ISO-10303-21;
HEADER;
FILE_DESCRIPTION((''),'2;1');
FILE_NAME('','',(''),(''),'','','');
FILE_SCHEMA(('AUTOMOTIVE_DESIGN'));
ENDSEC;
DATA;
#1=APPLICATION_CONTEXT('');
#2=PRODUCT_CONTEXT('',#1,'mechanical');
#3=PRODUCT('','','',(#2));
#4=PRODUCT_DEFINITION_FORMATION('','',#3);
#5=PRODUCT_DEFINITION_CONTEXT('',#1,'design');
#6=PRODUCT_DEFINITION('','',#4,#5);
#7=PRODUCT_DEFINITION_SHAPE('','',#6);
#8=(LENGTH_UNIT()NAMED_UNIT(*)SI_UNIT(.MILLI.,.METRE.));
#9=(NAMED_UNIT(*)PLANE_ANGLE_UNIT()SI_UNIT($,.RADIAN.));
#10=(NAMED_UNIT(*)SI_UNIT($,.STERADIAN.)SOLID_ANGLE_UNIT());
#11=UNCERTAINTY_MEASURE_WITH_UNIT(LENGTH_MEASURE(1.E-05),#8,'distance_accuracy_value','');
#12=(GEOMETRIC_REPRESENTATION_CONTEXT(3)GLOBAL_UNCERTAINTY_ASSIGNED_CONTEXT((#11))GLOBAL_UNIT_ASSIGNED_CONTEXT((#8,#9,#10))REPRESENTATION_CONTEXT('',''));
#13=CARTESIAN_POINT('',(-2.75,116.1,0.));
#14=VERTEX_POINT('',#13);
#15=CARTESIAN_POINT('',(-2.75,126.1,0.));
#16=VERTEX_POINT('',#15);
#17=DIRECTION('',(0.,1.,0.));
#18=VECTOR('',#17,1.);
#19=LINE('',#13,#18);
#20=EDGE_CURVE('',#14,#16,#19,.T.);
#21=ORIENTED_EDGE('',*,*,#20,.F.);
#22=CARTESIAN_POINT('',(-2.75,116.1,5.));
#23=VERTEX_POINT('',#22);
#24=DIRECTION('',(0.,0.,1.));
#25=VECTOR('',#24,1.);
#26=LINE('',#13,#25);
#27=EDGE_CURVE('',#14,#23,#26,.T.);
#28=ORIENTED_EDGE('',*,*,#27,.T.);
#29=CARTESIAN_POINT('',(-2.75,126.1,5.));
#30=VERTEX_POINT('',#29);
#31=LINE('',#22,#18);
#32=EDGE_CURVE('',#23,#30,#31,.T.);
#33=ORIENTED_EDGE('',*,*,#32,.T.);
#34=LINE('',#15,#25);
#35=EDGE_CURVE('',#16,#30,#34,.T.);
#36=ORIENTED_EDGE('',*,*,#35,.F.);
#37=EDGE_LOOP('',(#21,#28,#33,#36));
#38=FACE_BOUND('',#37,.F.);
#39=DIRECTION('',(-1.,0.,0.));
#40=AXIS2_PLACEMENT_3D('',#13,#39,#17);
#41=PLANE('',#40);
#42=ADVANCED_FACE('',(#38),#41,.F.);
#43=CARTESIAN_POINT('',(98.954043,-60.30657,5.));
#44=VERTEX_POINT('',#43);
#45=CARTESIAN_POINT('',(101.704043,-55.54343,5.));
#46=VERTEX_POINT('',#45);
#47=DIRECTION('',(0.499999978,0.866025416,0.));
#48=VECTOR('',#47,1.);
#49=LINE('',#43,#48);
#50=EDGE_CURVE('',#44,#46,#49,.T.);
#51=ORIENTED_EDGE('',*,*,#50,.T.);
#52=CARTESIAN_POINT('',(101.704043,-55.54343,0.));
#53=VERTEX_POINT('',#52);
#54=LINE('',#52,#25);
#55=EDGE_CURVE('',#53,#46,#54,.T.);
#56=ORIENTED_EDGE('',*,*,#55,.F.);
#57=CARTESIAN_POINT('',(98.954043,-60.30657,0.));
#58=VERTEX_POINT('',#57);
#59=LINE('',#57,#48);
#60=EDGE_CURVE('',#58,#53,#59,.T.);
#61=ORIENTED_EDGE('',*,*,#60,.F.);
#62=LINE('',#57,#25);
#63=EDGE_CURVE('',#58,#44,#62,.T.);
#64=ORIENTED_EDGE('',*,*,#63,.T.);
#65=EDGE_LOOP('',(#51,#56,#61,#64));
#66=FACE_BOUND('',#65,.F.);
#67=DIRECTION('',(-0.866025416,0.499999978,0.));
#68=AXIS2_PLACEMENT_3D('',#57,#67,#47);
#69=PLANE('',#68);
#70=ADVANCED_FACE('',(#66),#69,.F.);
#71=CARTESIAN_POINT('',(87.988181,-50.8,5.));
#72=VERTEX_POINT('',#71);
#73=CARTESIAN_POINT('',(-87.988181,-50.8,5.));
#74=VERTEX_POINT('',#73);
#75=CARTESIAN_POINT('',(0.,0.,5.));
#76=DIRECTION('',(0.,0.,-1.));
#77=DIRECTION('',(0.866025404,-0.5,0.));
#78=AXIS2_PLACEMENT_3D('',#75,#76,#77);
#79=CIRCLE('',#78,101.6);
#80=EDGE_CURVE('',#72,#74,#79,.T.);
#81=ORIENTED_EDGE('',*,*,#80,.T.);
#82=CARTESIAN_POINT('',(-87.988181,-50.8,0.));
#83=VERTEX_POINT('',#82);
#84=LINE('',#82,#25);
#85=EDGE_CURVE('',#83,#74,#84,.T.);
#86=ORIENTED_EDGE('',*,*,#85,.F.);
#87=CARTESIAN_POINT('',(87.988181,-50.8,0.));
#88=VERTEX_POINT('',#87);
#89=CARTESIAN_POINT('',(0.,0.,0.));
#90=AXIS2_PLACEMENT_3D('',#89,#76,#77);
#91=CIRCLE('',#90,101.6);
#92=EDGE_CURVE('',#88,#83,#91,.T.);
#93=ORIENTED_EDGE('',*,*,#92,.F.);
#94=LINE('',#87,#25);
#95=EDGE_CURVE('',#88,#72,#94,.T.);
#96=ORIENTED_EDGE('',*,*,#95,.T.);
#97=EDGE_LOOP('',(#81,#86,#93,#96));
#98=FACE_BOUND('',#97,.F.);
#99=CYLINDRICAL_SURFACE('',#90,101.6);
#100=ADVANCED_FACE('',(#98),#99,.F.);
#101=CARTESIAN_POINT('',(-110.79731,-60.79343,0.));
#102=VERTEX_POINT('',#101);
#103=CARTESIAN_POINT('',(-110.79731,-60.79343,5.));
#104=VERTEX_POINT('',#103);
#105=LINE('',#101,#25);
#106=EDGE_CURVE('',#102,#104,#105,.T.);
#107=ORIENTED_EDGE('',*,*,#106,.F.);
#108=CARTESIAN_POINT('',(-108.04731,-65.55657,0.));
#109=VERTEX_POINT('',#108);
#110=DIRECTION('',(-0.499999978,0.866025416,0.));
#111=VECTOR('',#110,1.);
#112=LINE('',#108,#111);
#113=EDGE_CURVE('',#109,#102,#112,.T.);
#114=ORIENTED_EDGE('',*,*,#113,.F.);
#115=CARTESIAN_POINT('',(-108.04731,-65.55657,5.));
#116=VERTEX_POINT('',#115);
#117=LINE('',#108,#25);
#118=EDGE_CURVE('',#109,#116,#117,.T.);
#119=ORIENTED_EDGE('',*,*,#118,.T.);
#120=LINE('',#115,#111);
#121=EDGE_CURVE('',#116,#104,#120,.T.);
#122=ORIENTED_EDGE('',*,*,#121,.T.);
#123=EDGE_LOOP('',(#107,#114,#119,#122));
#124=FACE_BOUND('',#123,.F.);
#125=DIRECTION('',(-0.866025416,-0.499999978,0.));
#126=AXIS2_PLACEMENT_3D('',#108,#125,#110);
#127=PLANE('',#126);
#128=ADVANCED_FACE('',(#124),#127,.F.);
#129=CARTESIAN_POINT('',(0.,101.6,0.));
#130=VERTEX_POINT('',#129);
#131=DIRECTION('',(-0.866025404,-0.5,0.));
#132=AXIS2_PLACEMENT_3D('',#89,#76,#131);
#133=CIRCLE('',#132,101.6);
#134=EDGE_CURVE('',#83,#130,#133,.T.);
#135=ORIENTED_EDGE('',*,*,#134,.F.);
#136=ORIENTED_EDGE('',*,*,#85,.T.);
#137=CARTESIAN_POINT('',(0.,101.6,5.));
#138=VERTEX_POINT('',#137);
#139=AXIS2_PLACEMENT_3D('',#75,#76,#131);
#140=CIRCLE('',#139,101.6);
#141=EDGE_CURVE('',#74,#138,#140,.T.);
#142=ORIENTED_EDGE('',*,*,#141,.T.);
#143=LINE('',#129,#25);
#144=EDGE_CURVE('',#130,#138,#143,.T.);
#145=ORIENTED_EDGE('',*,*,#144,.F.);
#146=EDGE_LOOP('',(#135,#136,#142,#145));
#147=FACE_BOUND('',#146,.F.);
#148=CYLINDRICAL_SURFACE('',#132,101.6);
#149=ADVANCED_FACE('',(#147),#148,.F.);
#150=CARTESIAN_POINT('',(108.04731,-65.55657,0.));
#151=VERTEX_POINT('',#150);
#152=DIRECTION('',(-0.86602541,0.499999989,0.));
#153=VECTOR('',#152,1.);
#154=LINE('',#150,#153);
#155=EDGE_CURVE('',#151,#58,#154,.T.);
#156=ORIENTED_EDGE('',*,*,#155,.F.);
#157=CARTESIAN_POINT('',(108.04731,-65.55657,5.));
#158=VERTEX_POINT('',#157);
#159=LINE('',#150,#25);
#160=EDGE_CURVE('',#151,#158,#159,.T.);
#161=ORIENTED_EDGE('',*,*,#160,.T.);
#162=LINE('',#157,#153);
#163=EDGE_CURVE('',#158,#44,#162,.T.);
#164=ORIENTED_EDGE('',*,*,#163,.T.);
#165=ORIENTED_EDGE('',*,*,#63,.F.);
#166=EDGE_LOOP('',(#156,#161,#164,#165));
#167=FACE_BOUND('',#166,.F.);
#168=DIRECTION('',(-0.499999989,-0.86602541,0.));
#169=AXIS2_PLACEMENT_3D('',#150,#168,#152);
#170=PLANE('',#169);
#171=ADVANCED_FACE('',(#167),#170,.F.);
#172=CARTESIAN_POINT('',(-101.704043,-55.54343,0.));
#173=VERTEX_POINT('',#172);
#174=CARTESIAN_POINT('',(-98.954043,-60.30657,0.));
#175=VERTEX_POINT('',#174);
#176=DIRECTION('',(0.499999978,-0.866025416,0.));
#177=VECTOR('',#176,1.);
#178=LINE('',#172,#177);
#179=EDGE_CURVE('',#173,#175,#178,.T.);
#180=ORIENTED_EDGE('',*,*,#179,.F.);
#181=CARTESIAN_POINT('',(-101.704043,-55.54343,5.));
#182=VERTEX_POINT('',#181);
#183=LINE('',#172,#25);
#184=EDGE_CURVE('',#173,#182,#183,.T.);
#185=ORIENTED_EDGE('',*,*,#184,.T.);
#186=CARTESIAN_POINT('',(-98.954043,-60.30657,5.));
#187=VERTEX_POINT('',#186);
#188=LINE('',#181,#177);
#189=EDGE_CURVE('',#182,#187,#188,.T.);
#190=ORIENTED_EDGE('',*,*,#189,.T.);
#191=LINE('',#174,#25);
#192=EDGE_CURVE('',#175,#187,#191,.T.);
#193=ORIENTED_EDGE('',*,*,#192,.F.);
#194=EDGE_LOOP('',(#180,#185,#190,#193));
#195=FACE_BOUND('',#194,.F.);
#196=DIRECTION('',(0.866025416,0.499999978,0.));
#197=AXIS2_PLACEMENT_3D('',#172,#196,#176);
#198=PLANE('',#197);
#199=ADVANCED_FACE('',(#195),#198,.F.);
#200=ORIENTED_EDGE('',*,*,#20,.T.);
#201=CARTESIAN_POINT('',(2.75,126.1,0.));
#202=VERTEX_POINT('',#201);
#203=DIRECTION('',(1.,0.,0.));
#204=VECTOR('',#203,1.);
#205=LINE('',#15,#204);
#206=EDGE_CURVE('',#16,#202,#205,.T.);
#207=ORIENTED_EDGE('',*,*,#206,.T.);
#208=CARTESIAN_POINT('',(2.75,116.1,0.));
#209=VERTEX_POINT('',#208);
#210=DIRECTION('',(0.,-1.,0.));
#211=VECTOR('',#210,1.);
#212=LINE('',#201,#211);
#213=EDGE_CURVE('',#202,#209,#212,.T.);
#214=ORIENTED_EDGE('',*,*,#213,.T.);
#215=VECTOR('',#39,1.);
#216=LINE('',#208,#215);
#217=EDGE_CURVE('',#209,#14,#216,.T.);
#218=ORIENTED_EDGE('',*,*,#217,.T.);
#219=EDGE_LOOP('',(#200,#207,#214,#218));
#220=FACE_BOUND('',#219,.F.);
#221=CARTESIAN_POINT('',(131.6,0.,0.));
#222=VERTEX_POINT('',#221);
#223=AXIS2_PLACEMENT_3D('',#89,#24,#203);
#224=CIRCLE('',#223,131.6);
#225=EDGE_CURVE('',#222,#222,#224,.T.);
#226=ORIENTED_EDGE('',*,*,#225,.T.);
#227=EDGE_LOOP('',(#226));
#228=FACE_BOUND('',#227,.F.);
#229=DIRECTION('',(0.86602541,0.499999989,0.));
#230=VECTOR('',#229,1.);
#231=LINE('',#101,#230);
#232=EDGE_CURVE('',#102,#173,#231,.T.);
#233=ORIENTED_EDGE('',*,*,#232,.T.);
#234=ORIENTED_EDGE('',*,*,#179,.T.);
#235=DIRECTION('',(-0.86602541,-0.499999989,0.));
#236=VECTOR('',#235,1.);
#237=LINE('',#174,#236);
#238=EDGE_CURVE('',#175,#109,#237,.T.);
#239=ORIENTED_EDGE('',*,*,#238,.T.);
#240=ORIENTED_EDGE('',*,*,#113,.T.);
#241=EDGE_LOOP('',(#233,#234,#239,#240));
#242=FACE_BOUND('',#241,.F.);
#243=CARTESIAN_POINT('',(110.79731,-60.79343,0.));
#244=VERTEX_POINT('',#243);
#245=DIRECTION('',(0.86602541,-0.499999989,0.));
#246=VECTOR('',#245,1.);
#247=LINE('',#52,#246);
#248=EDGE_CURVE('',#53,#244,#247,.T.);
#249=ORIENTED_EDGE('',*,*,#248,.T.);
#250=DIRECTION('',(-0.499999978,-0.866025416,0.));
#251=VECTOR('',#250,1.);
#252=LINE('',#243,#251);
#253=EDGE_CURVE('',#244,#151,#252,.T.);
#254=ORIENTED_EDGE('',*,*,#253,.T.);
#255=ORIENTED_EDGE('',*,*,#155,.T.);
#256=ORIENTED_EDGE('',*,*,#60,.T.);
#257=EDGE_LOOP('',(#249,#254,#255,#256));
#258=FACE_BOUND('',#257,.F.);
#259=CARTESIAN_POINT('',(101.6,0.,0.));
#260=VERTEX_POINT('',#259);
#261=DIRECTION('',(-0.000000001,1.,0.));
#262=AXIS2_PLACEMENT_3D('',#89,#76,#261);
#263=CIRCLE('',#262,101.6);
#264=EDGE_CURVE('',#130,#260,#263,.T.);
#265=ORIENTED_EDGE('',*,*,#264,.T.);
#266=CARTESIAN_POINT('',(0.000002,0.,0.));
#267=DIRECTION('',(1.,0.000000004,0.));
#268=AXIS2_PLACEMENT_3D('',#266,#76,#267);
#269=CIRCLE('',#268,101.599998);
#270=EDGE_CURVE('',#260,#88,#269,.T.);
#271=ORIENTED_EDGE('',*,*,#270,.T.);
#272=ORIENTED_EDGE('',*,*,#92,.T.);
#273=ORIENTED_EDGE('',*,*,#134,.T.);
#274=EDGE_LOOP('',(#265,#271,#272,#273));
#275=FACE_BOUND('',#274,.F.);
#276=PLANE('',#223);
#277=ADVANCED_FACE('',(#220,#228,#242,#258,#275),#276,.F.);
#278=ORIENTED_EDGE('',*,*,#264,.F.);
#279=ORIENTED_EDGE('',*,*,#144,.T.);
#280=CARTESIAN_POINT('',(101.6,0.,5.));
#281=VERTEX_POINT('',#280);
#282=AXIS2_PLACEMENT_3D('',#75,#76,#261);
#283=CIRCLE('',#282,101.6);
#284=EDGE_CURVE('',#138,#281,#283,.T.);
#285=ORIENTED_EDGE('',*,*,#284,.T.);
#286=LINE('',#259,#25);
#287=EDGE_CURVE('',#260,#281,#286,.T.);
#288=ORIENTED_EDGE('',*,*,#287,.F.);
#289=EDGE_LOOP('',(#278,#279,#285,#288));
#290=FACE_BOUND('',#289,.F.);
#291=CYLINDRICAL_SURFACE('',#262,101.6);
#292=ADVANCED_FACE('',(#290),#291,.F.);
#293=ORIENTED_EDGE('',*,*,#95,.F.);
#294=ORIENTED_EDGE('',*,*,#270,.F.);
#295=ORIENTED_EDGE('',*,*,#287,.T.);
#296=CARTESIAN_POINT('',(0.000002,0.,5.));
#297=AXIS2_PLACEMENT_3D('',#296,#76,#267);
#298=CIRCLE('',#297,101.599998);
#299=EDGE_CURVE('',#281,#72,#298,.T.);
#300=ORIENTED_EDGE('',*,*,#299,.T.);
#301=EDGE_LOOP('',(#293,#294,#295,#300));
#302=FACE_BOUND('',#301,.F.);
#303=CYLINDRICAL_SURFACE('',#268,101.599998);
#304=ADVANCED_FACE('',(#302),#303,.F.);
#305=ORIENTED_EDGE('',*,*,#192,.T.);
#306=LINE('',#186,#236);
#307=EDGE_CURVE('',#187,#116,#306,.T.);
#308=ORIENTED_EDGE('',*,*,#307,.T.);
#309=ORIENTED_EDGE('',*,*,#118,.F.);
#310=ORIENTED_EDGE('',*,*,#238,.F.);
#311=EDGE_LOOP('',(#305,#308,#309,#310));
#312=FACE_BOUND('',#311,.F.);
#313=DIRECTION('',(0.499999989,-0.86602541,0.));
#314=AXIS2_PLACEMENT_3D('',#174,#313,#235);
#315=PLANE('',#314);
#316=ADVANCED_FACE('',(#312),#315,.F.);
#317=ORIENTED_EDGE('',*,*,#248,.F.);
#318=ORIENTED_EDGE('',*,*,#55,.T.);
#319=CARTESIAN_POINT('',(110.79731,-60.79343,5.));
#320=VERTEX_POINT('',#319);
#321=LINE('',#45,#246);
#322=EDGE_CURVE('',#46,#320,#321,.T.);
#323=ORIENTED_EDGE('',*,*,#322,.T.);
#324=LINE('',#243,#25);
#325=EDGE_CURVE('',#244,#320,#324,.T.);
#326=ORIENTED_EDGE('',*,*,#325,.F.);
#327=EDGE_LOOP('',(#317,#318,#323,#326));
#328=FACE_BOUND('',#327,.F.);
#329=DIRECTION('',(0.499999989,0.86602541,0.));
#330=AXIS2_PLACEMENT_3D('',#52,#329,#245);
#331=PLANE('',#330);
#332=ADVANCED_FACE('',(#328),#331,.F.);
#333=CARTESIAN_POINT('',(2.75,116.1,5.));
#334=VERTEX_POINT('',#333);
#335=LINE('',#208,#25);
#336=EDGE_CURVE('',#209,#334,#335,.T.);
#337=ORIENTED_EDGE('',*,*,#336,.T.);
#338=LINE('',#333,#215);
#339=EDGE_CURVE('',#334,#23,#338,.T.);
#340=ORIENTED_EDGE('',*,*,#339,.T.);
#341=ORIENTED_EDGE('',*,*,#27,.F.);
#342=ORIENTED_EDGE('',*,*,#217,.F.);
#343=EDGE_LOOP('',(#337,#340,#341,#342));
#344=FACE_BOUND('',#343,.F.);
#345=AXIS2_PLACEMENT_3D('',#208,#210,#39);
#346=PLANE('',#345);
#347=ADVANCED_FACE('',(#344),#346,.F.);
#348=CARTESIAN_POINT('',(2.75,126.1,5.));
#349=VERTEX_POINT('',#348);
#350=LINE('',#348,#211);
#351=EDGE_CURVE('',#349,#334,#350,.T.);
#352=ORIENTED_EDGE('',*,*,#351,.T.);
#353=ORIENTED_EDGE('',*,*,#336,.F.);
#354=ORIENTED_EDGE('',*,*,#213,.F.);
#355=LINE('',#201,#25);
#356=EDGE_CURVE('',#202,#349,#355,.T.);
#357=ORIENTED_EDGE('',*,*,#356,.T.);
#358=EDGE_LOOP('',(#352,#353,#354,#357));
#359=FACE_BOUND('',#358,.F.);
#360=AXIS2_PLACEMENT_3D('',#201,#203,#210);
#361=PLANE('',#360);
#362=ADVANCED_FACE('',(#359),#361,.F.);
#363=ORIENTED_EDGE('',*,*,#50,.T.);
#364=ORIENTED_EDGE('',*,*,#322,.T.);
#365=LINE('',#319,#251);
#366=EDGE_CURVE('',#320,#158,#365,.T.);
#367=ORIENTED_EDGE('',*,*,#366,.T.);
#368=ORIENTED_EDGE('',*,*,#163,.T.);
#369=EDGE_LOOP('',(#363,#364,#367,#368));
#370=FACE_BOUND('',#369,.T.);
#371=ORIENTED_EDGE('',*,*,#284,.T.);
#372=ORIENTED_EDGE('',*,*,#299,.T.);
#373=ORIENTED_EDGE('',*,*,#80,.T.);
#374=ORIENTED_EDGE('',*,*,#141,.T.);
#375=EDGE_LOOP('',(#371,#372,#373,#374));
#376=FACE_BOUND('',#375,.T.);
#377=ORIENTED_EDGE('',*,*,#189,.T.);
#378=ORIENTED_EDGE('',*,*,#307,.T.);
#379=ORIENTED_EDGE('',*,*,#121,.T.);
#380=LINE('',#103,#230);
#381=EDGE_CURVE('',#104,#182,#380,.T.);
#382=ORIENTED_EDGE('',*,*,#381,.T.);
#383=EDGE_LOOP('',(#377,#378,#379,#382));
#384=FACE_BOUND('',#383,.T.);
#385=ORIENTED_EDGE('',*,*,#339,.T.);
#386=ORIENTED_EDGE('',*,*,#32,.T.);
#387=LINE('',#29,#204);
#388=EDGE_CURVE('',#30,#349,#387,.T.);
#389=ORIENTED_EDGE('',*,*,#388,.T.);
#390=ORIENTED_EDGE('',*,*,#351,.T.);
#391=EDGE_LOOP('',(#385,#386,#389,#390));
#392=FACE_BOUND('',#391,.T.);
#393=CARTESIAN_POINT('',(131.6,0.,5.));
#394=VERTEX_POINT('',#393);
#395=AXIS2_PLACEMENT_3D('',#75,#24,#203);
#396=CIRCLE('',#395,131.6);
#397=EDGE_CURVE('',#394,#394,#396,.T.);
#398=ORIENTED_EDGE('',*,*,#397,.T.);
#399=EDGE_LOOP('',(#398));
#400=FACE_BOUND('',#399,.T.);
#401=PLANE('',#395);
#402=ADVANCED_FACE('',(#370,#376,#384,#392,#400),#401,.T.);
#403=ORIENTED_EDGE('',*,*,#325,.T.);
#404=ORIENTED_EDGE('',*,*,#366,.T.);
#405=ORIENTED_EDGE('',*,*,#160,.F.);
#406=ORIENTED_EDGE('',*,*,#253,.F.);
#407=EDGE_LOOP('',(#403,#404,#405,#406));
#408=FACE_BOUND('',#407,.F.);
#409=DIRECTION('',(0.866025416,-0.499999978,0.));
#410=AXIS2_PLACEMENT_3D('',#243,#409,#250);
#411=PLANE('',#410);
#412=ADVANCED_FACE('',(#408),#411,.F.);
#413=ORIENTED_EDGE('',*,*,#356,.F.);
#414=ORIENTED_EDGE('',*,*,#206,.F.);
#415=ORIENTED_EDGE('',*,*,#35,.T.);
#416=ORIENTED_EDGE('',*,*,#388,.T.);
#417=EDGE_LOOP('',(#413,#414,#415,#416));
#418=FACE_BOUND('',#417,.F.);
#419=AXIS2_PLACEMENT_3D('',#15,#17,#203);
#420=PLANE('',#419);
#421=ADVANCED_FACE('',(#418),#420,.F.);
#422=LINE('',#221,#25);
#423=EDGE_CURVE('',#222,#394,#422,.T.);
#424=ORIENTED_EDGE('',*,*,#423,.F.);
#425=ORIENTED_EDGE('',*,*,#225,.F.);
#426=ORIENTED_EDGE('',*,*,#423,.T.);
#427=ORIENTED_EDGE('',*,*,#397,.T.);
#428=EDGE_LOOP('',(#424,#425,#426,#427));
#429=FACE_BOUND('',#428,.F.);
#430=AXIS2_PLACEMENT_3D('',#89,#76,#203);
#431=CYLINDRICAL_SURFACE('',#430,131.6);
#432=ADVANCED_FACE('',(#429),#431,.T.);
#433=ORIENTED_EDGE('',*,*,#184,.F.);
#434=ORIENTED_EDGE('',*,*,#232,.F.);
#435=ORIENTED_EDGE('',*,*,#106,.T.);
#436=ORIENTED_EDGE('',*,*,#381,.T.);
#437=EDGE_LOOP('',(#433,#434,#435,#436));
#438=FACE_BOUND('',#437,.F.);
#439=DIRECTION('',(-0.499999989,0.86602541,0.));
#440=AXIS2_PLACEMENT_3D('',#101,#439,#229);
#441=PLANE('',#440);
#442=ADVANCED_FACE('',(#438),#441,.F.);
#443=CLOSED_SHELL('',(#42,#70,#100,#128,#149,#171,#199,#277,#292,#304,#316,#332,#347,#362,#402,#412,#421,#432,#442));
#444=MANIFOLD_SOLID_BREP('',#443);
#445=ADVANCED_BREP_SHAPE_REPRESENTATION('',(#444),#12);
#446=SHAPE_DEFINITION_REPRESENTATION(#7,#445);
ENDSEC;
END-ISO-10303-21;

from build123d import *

# Parameters (mm, degrees)
F0_R     = 131.6
F1_DEPTH = 5


with BuildPart() as f1:
    # F0 (on Top) → F1 (new body)
    with BuildSketch(Plane.XY):
        Circle(F0_R)
        Polygon((-101.704043, -55.54343), (-100.329043, -57.925), (-98.954043, -60.30657), (-108.04731, -65.55657), (-110.79731, -60.79343), align=None, mode=Mode.SUBTRACT)
        Polygon((98.954043, -60.30657), (100.329043, -57.925), (101.704043, -55.54343), (110.79731, -60.79343), (108.04731, -65.55657), align=None, mode=Mode.SUBTRACT)
        with BuildLine():
            ThreePointArc((0, 101.6), (71.842049, 71.842049), (101.6, 0))
            ThreePointArc((101.6, 0), (98.138064, -26.296015), (87.988181, -50.8))
            ThreePointArc((87.988181, -50.8), (0, -101.6), (-87.988181, -50.8))
            ThreePointArc((-87.988181, -50.8), (-87.988181, 50.8), (0, 101.6))
        make_face(mode=Mode.SUBTRACT)
        Polygon((2.75, 116.1), (0, 116.1), (-2.75, 116.1), (-2.75, 126.1), (2.75, 126.1), align=None, mode=Mode.SUBTRACT)
    extrude(amount=F1_DEPTH)


solid = f1.part
